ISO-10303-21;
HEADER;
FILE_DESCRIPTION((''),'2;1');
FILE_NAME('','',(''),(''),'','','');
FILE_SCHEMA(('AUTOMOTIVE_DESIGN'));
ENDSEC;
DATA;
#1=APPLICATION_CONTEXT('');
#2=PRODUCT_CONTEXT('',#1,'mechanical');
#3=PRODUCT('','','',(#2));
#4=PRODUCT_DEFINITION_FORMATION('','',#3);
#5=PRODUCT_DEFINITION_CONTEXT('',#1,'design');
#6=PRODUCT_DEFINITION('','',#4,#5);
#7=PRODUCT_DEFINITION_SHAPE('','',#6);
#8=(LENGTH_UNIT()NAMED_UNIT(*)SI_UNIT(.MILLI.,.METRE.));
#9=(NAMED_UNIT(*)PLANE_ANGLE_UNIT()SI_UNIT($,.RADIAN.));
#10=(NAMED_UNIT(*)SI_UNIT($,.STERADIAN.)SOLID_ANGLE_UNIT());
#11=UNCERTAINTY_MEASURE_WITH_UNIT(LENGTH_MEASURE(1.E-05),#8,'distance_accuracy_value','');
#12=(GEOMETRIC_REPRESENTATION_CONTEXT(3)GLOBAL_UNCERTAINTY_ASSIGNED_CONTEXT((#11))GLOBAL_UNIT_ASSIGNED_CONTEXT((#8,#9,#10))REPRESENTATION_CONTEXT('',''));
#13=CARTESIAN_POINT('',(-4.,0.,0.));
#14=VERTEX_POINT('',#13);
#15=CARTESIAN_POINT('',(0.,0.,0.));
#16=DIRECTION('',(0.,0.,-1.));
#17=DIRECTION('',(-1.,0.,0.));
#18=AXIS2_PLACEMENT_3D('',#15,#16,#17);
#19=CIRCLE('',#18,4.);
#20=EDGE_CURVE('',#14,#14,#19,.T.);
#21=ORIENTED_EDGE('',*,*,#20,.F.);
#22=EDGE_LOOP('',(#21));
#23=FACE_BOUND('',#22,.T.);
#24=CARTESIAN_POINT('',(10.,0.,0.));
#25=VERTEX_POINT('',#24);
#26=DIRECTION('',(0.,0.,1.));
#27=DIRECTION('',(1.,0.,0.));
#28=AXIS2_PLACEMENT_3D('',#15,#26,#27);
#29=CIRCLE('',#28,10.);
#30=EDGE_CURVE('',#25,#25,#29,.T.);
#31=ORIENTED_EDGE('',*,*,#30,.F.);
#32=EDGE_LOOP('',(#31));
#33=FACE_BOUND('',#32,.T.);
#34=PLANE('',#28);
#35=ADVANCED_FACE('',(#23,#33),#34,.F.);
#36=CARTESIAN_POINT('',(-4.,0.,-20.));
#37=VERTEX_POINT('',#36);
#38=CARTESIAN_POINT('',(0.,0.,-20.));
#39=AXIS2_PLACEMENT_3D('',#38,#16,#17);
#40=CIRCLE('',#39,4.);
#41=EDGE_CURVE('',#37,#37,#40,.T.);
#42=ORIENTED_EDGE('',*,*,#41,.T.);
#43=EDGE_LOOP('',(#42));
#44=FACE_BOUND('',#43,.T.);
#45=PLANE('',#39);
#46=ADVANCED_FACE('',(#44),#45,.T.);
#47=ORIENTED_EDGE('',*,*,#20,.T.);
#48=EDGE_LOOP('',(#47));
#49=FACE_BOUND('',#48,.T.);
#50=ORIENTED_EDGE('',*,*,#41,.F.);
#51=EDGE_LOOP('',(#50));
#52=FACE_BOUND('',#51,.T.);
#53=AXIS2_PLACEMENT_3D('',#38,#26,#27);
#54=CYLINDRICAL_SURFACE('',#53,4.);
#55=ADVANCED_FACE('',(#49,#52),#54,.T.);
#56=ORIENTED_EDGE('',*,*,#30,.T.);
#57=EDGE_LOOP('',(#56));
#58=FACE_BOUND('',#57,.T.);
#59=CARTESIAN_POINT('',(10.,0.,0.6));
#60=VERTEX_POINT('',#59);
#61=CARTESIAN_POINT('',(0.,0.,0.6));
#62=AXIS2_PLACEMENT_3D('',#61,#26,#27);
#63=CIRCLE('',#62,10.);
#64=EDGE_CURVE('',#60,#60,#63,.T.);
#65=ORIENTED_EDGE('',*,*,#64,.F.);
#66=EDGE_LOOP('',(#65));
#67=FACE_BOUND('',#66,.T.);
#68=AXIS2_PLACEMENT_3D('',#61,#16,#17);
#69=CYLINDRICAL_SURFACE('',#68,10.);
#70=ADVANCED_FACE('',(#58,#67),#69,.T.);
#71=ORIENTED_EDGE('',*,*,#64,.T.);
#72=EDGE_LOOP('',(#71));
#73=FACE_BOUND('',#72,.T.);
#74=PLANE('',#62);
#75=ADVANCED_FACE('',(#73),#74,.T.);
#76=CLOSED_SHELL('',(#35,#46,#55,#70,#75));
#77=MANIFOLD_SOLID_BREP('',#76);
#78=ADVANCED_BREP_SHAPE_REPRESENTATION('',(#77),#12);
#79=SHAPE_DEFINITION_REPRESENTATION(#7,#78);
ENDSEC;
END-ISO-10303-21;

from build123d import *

# Parameters (mm, degrees)
SKETCH2_R           = 10
BOSS_EXTRUDE1_DEPTH = 0.6
SKETCH3_R           = 4
BOSS_EXTRUDE2_DEPTH = 20


with BuildPart() as part:
    # Sketch2 → Boss-Extrude1 (new body)
    with BuildSketch(Plane.XY):
        Circle(SKETCH2_R)
    extrude(amount=BOSS_EXTRUDE1_DEPTH)

    # Sketch3 → Boss-Extrude2 (add)
    with BuildSketch(Plane(origin=(0, 0, 0), x_dir=(-1, 0, 0), z_dir=(0, 0, -1))):
        Circle(SKETCH3_R)
    extrude(amount=BOSS_EXTRUDE2_DEPTH)


solid = part.part
